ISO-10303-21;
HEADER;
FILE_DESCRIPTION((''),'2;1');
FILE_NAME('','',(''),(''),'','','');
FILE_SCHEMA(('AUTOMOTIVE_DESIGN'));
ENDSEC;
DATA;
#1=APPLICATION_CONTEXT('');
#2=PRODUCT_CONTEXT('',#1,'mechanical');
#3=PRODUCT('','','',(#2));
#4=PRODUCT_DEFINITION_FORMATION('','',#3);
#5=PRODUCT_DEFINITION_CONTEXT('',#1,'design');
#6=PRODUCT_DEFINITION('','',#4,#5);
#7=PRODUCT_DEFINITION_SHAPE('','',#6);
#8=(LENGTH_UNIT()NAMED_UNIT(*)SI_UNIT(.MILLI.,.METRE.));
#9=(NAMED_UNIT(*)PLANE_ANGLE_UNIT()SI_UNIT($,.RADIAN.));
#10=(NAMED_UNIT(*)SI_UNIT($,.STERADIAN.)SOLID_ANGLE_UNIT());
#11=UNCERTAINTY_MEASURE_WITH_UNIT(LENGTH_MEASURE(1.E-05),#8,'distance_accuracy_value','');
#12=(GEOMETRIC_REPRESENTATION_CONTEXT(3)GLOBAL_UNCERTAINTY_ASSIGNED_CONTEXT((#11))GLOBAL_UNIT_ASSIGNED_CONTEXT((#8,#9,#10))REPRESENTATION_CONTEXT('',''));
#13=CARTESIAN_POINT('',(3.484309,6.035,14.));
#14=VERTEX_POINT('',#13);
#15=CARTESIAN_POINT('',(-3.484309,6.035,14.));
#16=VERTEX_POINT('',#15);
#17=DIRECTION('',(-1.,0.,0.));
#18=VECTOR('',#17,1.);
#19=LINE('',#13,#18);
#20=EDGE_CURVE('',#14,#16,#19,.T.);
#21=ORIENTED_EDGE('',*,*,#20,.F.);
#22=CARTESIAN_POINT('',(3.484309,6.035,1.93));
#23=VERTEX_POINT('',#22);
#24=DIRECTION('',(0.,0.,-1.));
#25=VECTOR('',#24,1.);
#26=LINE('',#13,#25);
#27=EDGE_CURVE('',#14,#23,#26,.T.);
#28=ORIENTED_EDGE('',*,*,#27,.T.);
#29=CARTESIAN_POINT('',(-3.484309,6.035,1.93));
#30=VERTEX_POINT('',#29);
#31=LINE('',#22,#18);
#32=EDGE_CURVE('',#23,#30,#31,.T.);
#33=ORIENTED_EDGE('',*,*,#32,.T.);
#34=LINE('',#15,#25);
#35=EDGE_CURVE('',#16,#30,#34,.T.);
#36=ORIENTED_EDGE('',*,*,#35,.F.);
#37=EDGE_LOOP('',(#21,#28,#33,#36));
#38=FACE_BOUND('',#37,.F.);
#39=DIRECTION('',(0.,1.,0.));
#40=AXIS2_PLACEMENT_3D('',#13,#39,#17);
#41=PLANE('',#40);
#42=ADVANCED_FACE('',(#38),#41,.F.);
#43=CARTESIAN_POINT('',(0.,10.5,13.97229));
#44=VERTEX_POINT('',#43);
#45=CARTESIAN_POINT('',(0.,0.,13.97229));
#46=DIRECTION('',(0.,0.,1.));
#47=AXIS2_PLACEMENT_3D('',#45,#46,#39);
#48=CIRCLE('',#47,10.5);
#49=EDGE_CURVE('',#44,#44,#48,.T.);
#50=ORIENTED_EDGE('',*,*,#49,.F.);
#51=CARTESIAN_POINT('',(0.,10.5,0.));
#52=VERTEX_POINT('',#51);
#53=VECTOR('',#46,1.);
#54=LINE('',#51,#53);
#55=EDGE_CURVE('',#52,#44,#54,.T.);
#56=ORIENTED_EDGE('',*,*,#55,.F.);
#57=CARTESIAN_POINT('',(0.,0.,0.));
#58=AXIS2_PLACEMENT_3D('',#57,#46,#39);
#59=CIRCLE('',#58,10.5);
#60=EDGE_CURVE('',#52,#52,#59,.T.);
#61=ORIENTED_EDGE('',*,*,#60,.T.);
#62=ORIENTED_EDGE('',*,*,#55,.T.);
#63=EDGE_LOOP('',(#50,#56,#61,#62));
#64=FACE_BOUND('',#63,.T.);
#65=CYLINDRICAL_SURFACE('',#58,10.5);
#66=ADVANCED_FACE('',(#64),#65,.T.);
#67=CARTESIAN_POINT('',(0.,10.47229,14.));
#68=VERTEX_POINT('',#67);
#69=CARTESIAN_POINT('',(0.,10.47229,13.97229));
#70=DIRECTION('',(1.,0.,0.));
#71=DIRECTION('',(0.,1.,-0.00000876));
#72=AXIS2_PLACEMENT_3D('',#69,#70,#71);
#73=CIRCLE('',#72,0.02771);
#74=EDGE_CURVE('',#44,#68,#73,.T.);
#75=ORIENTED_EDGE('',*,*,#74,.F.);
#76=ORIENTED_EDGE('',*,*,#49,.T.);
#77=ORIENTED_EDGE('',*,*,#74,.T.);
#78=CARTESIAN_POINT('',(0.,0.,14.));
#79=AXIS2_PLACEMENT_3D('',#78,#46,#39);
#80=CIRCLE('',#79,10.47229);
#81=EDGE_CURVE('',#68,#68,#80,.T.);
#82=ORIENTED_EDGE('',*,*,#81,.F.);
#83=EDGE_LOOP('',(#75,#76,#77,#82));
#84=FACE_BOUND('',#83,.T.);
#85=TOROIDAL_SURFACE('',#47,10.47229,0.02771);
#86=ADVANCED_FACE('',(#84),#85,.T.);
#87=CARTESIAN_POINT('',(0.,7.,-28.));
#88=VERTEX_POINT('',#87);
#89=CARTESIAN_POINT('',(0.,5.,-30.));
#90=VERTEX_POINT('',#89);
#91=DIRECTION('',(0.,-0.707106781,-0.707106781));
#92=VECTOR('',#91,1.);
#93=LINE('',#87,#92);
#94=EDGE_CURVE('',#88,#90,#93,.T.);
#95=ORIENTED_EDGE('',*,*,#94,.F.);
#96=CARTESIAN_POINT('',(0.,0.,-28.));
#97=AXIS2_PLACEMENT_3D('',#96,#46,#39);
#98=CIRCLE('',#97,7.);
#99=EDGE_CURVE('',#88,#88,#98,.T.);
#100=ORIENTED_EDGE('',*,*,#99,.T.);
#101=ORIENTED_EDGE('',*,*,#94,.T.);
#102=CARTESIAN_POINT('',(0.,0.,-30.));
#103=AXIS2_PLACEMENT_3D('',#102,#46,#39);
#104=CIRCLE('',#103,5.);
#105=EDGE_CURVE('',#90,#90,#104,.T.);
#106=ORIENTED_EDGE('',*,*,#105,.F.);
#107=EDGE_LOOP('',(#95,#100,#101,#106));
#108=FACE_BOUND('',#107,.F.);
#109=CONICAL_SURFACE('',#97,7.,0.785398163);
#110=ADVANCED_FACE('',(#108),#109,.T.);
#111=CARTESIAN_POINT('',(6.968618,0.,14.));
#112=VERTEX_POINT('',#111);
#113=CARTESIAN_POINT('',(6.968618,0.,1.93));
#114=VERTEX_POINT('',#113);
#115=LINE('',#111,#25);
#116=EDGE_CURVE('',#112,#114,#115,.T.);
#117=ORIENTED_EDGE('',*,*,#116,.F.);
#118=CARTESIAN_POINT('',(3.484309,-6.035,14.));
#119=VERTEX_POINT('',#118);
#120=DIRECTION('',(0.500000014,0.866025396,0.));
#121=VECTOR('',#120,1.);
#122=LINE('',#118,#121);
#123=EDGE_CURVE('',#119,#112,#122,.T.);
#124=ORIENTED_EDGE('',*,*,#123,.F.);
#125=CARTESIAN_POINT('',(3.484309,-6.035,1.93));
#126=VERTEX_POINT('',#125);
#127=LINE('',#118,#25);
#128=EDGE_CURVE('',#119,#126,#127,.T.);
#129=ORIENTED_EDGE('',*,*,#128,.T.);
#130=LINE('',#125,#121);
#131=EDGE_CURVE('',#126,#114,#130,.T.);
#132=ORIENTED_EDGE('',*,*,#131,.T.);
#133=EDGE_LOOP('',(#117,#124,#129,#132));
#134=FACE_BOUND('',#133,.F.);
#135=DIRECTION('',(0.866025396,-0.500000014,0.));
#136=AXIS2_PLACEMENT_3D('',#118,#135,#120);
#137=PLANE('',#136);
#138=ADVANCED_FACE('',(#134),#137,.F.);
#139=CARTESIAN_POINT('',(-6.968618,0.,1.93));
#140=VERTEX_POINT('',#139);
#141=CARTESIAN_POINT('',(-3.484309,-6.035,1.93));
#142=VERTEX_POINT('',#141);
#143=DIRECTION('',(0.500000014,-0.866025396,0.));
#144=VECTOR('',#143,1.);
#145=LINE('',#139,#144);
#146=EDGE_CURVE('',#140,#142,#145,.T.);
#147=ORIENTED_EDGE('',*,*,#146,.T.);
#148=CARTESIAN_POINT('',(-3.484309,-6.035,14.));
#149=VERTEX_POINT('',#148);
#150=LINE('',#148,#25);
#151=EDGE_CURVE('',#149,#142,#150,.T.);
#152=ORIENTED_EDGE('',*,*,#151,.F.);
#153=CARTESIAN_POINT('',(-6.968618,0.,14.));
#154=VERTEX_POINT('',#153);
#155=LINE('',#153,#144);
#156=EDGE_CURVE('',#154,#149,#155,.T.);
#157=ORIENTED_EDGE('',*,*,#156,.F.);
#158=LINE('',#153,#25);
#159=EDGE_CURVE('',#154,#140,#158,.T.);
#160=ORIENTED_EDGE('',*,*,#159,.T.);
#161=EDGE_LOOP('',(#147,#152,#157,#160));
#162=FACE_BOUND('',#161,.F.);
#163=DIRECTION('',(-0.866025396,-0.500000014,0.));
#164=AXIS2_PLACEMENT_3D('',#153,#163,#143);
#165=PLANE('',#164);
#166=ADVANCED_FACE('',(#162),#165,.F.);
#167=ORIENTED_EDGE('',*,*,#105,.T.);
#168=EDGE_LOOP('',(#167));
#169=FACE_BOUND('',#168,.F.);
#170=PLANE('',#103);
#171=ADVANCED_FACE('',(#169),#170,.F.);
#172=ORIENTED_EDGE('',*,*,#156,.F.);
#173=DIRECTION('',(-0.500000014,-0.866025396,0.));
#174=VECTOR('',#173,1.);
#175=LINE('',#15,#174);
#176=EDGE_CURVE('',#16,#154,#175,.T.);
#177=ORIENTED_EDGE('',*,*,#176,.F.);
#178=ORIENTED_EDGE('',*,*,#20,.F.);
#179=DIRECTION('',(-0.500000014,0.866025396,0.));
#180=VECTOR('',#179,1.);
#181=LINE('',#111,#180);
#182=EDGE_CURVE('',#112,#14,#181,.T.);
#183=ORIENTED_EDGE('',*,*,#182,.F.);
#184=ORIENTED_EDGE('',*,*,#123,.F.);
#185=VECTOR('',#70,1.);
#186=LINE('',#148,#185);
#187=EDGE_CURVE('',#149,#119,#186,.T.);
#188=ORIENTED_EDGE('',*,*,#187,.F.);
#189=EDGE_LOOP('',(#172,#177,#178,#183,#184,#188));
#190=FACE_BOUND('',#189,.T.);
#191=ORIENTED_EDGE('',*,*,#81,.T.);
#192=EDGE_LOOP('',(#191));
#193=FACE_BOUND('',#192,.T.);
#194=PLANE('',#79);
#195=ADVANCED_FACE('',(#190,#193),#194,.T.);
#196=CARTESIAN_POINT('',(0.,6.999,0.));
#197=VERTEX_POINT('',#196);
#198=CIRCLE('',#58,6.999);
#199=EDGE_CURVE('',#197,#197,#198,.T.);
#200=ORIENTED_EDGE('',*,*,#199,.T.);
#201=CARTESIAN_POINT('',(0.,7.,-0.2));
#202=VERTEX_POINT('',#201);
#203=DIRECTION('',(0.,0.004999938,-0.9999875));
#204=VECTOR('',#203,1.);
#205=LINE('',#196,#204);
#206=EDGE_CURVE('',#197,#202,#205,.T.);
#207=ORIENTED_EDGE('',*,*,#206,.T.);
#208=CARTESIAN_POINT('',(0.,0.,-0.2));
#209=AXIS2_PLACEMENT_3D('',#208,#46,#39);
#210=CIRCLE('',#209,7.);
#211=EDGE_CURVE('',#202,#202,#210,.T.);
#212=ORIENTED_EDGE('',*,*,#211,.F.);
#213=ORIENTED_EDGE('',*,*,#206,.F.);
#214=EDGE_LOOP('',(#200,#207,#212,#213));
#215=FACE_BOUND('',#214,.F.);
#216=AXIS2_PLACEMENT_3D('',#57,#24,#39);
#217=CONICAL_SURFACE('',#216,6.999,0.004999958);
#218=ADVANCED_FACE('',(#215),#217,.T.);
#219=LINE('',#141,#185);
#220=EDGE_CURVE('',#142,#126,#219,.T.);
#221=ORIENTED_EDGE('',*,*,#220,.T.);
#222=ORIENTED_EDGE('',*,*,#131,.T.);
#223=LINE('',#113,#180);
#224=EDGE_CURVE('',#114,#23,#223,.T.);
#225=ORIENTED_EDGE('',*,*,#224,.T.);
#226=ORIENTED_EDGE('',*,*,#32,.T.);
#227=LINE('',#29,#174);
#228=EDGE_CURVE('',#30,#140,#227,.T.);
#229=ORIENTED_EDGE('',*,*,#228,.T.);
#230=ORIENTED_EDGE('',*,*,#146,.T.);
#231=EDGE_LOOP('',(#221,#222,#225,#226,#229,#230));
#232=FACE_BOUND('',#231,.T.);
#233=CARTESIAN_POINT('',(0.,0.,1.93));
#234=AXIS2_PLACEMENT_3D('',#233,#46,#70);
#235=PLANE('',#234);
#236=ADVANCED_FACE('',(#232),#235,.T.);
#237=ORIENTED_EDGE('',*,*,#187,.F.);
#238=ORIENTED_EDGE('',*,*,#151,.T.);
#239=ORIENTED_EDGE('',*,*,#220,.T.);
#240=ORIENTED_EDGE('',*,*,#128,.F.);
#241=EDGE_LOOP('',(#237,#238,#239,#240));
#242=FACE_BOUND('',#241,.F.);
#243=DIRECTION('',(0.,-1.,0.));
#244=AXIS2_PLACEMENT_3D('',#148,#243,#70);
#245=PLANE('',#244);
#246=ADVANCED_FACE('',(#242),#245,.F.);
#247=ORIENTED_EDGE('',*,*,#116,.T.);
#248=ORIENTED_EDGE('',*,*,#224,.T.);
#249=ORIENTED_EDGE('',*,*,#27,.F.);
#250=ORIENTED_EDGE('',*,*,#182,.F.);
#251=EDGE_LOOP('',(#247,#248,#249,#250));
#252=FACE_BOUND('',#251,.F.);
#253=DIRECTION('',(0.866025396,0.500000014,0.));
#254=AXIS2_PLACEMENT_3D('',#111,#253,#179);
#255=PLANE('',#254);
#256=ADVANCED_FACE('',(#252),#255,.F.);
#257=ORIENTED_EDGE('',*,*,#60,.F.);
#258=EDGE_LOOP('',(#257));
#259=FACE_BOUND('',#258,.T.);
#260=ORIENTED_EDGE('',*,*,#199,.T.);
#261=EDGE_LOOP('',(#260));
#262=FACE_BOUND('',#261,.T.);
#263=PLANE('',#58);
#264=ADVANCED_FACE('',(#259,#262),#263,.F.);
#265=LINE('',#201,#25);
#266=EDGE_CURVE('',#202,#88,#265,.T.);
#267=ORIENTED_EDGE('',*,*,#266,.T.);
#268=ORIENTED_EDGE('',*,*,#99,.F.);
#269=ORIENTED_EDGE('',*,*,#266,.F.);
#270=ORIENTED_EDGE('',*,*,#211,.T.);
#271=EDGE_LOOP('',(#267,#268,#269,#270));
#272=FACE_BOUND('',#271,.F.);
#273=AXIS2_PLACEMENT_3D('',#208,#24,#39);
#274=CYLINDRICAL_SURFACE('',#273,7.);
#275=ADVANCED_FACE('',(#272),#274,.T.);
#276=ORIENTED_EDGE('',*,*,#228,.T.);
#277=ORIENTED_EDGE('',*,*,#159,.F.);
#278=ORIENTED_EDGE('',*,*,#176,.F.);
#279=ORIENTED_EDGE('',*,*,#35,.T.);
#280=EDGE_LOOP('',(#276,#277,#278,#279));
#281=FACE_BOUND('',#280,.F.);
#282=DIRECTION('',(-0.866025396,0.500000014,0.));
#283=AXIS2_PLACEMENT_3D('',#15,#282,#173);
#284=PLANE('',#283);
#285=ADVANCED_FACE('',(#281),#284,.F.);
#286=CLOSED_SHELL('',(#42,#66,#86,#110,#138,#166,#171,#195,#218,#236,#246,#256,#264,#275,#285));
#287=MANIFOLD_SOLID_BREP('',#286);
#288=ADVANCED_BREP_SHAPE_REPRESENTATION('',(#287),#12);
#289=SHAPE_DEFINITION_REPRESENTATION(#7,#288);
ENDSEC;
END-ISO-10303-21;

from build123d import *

# Parameters (mm, degrees)
POCKET_DEPTH = 12.07


with BuildPart() as part:
    # Sketch → Revolve (revolve)
    with BuildSketch(Plane.YZ):
        with BuildLine():
            Line((6.999, 0), (10.5, 0))
            Line((10.5, 0), (10.5, 13.97229))
            ThreePointArc((10.5, 13.97229), (10.491884, 13.991884), (10.47229, 14))
            Line((10.47229, 14), (0, 14))
            Line((0, -30), (0, 14))
            Line((5, -30), (0, -30))
            Line((7, -28), (5, -30))
            Line((7, -0.2), (7, -28))
            Line((6.999, 0), (7, -0.2))
        make_face()
    revolve(axis=Axis((0, 0, 0), (0, 0, 1)))

    # Sketch001 → Pocket (cut)
    with BuildSketch(Plane.XY.offset(14)):
        Polygon((6.968618, 0), (3.484309, 6.035), (-3.484309, 6.035), (-6.968618, 0), (-3.484309, -6.035), (3.484309, -6.035), align=None)
    extrude(amount=-POCKET_DEPTH, mode=Mode.SUBTRACT)


solid = part.part
